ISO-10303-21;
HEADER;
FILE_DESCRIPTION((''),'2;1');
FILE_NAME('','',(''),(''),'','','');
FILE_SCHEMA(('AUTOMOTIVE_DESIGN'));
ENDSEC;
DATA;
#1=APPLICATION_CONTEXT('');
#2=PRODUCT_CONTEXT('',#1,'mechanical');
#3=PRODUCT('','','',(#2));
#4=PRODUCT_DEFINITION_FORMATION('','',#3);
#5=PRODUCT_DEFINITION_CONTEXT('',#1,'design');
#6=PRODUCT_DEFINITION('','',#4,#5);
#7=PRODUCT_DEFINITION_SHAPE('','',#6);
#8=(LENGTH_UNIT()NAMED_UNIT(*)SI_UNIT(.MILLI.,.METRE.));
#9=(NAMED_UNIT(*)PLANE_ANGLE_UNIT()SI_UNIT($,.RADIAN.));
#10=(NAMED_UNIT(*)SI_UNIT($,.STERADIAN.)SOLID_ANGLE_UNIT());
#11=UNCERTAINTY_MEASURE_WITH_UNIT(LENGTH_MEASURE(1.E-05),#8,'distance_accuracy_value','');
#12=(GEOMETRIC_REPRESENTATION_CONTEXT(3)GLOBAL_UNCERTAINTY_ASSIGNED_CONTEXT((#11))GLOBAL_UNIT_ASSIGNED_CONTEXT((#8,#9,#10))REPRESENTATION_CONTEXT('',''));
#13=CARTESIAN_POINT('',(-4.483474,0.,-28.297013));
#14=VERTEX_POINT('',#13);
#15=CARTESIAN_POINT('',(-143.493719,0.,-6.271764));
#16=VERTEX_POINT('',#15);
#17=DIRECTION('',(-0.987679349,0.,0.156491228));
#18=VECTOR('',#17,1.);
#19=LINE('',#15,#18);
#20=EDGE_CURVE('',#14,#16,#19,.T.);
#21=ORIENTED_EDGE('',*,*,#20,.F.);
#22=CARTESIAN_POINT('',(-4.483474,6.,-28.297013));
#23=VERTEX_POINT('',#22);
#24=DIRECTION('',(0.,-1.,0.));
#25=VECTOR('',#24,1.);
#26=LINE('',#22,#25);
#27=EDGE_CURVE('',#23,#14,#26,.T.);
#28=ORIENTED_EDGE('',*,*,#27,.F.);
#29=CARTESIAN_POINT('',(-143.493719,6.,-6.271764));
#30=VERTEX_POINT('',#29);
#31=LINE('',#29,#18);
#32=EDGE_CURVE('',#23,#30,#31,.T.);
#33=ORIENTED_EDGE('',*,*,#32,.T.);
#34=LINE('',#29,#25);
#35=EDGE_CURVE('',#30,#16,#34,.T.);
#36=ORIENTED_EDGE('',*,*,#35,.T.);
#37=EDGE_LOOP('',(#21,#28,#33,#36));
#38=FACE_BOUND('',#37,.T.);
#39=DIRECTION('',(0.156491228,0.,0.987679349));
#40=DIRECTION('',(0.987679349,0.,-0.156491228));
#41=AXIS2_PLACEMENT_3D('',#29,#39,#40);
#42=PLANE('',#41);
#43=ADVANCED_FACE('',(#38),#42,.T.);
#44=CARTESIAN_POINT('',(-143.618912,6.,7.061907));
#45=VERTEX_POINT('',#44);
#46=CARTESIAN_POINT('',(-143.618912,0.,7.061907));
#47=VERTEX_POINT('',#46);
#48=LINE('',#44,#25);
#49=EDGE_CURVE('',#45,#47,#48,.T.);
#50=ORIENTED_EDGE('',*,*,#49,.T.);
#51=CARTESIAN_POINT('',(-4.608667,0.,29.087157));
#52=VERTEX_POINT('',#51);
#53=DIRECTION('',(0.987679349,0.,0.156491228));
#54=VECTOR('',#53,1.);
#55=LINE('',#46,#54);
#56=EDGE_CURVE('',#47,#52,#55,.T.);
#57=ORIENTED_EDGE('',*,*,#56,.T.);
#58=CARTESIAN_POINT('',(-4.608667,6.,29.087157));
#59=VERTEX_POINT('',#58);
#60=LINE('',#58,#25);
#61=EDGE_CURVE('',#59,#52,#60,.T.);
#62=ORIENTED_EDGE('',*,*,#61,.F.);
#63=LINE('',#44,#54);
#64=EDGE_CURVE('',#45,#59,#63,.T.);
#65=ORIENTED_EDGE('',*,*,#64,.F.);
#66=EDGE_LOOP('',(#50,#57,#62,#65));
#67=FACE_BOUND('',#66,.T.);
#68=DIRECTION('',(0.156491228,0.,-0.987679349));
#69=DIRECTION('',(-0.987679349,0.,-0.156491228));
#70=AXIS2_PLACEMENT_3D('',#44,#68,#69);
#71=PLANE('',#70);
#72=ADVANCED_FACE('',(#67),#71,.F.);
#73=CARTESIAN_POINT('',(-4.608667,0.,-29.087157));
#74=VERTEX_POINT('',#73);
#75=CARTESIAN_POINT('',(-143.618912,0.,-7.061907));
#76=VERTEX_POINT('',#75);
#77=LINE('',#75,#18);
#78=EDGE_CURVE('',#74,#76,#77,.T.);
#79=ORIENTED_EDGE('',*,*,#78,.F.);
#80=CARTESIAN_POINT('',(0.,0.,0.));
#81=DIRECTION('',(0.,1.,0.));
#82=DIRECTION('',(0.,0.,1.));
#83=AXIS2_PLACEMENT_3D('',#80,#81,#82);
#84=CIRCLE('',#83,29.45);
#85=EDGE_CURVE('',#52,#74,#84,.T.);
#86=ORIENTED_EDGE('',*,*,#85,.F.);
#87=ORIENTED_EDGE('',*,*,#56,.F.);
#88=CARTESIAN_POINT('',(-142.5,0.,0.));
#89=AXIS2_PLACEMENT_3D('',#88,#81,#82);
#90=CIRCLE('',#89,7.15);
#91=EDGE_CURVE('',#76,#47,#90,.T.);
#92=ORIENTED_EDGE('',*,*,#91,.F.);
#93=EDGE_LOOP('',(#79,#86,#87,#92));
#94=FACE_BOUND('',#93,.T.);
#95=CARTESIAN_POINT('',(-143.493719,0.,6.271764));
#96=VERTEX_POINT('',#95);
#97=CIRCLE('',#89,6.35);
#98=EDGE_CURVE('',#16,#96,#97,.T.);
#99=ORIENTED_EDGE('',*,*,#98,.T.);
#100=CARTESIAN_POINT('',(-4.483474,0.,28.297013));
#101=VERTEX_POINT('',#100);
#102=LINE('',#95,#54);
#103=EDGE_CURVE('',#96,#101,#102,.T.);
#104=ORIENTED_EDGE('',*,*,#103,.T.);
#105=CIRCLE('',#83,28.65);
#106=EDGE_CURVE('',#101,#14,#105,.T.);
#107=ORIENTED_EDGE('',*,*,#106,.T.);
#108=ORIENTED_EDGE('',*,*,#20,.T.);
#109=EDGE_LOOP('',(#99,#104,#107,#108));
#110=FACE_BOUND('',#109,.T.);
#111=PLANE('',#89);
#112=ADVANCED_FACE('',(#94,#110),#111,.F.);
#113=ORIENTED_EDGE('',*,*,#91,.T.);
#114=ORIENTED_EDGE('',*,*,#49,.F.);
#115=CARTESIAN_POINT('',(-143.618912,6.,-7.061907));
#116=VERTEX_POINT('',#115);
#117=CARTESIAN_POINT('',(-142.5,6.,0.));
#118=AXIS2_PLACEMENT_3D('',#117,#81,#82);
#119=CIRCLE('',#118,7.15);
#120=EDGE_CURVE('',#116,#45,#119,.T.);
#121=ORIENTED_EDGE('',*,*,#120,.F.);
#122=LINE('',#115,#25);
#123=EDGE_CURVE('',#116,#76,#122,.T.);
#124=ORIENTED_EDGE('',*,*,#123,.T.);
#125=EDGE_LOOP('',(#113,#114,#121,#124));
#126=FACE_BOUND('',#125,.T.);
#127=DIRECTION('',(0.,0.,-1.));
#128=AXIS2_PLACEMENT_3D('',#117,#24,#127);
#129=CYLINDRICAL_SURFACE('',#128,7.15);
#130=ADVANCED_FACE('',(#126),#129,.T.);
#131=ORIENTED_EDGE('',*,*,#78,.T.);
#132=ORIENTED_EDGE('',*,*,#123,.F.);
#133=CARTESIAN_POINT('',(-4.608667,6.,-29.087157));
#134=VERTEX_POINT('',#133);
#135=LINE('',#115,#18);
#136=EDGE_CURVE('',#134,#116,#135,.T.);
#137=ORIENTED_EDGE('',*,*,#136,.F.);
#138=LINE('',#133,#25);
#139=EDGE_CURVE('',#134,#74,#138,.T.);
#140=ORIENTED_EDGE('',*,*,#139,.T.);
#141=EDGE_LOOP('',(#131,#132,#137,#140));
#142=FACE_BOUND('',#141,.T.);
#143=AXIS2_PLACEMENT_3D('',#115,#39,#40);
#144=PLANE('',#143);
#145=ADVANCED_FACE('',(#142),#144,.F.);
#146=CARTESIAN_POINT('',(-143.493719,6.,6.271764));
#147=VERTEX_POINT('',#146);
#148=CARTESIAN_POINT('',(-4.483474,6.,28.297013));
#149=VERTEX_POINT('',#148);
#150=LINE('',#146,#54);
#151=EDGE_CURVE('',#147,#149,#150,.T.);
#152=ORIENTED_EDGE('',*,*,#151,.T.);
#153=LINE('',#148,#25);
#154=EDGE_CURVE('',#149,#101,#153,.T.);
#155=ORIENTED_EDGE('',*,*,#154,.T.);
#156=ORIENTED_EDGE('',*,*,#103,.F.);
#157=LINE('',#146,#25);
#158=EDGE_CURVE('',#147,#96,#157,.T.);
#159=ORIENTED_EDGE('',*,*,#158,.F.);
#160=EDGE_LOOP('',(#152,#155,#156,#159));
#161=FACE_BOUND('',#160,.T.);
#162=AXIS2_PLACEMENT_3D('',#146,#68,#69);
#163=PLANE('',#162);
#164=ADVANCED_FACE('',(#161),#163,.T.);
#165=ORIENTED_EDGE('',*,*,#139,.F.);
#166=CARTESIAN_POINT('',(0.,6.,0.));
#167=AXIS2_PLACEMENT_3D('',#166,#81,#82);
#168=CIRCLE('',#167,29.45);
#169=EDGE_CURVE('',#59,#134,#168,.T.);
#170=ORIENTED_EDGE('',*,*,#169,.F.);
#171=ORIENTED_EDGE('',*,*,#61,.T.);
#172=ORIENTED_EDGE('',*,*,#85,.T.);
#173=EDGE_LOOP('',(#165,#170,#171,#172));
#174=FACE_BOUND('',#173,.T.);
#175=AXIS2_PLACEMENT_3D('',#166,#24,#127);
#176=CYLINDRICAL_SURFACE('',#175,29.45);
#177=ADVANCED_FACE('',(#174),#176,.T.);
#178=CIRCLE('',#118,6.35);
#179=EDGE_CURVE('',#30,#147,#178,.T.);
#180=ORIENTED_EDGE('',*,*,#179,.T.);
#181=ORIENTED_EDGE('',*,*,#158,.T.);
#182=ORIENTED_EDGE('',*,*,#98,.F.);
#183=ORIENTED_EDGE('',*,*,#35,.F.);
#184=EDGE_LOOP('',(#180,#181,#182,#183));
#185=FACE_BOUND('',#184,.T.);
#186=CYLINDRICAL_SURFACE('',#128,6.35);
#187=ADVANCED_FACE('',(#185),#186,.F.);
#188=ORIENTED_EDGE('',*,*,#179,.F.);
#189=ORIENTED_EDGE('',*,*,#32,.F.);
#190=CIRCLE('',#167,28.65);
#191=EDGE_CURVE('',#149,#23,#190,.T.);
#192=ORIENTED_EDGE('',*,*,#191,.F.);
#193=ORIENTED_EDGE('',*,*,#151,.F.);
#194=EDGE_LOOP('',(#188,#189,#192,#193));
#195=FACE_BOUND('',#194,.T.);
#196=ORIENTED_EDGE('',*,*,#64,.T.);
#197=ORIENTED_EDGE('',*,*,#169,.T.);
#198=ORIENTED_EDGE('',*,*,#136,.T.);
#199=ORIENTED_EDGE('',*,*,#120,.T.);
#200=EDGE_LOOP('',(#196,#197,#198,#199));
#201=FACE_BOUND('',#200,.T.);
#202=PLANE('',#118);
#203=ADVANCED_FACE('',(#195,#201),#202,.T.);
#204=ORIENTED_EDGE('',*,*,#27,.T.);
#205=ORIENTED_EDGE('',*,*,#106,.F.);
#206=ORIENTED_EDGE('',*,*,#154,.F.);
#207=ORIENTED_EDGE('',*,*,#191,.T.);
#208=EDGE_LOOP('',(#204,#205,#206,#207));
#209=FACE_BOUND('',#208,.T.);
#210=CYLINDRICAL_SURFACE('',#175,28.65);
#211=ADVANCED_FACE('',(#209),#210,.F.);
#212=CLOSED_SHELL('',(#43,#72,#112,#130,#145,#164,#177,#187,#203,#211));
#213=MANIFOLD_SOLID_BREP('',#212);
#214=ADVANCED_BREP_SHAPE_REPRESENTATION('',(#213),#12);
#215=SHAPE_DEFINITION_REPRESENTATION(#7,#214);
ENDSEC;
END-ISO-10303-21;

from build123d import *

# Parameters (mm, degrees)
BOSS_EXTRUDE1_DEPTH = 6


with BuildPart() as part:
    # Sketch1 → Boss-Extrude1 (new body)
    with BuildSketch(Plane(origin=(0, 0, 0), x_dir=(1, 0, 0), z_dir=(0, 1, 0))):
        with BuildLine():
            Line((-143.618912281, 7.061907342), (-4.608666667, 29.087156815))
            ThreePointArc((-4.608666667, 29.087156815), (29.45, 0), (-4.608666667, -29.087156815))
            Line((-4.608666667, -29.087156815), (-143.618912281, -7.061907342))
            ThreePointArc((-143.618912281, -7.061907342), (-149.65, 0), (-143.618912281, 7.061907342))
        make_face()
        with BuildLine():
            Line((-143.493719298, 6.271763863), (-4.483473684, 28.297013336))
            ThreePointArc((-4.483473684, 28.297013336), (28.65, 0), (-4.483473684, -28.297013336))
            Line((-4.483473684, -28.297013336), (-143.493719298, -6.271763863))
            ThreePointArc((-143.493719298, -6.271763863), (-148.85, 0), (-143.493719298, 6.271763863))
        make_face(mode=Mode.SUBTRACT)
    extrude(amount=BOSS_EXTRUDE1_DEPTH)


solid = part.part
